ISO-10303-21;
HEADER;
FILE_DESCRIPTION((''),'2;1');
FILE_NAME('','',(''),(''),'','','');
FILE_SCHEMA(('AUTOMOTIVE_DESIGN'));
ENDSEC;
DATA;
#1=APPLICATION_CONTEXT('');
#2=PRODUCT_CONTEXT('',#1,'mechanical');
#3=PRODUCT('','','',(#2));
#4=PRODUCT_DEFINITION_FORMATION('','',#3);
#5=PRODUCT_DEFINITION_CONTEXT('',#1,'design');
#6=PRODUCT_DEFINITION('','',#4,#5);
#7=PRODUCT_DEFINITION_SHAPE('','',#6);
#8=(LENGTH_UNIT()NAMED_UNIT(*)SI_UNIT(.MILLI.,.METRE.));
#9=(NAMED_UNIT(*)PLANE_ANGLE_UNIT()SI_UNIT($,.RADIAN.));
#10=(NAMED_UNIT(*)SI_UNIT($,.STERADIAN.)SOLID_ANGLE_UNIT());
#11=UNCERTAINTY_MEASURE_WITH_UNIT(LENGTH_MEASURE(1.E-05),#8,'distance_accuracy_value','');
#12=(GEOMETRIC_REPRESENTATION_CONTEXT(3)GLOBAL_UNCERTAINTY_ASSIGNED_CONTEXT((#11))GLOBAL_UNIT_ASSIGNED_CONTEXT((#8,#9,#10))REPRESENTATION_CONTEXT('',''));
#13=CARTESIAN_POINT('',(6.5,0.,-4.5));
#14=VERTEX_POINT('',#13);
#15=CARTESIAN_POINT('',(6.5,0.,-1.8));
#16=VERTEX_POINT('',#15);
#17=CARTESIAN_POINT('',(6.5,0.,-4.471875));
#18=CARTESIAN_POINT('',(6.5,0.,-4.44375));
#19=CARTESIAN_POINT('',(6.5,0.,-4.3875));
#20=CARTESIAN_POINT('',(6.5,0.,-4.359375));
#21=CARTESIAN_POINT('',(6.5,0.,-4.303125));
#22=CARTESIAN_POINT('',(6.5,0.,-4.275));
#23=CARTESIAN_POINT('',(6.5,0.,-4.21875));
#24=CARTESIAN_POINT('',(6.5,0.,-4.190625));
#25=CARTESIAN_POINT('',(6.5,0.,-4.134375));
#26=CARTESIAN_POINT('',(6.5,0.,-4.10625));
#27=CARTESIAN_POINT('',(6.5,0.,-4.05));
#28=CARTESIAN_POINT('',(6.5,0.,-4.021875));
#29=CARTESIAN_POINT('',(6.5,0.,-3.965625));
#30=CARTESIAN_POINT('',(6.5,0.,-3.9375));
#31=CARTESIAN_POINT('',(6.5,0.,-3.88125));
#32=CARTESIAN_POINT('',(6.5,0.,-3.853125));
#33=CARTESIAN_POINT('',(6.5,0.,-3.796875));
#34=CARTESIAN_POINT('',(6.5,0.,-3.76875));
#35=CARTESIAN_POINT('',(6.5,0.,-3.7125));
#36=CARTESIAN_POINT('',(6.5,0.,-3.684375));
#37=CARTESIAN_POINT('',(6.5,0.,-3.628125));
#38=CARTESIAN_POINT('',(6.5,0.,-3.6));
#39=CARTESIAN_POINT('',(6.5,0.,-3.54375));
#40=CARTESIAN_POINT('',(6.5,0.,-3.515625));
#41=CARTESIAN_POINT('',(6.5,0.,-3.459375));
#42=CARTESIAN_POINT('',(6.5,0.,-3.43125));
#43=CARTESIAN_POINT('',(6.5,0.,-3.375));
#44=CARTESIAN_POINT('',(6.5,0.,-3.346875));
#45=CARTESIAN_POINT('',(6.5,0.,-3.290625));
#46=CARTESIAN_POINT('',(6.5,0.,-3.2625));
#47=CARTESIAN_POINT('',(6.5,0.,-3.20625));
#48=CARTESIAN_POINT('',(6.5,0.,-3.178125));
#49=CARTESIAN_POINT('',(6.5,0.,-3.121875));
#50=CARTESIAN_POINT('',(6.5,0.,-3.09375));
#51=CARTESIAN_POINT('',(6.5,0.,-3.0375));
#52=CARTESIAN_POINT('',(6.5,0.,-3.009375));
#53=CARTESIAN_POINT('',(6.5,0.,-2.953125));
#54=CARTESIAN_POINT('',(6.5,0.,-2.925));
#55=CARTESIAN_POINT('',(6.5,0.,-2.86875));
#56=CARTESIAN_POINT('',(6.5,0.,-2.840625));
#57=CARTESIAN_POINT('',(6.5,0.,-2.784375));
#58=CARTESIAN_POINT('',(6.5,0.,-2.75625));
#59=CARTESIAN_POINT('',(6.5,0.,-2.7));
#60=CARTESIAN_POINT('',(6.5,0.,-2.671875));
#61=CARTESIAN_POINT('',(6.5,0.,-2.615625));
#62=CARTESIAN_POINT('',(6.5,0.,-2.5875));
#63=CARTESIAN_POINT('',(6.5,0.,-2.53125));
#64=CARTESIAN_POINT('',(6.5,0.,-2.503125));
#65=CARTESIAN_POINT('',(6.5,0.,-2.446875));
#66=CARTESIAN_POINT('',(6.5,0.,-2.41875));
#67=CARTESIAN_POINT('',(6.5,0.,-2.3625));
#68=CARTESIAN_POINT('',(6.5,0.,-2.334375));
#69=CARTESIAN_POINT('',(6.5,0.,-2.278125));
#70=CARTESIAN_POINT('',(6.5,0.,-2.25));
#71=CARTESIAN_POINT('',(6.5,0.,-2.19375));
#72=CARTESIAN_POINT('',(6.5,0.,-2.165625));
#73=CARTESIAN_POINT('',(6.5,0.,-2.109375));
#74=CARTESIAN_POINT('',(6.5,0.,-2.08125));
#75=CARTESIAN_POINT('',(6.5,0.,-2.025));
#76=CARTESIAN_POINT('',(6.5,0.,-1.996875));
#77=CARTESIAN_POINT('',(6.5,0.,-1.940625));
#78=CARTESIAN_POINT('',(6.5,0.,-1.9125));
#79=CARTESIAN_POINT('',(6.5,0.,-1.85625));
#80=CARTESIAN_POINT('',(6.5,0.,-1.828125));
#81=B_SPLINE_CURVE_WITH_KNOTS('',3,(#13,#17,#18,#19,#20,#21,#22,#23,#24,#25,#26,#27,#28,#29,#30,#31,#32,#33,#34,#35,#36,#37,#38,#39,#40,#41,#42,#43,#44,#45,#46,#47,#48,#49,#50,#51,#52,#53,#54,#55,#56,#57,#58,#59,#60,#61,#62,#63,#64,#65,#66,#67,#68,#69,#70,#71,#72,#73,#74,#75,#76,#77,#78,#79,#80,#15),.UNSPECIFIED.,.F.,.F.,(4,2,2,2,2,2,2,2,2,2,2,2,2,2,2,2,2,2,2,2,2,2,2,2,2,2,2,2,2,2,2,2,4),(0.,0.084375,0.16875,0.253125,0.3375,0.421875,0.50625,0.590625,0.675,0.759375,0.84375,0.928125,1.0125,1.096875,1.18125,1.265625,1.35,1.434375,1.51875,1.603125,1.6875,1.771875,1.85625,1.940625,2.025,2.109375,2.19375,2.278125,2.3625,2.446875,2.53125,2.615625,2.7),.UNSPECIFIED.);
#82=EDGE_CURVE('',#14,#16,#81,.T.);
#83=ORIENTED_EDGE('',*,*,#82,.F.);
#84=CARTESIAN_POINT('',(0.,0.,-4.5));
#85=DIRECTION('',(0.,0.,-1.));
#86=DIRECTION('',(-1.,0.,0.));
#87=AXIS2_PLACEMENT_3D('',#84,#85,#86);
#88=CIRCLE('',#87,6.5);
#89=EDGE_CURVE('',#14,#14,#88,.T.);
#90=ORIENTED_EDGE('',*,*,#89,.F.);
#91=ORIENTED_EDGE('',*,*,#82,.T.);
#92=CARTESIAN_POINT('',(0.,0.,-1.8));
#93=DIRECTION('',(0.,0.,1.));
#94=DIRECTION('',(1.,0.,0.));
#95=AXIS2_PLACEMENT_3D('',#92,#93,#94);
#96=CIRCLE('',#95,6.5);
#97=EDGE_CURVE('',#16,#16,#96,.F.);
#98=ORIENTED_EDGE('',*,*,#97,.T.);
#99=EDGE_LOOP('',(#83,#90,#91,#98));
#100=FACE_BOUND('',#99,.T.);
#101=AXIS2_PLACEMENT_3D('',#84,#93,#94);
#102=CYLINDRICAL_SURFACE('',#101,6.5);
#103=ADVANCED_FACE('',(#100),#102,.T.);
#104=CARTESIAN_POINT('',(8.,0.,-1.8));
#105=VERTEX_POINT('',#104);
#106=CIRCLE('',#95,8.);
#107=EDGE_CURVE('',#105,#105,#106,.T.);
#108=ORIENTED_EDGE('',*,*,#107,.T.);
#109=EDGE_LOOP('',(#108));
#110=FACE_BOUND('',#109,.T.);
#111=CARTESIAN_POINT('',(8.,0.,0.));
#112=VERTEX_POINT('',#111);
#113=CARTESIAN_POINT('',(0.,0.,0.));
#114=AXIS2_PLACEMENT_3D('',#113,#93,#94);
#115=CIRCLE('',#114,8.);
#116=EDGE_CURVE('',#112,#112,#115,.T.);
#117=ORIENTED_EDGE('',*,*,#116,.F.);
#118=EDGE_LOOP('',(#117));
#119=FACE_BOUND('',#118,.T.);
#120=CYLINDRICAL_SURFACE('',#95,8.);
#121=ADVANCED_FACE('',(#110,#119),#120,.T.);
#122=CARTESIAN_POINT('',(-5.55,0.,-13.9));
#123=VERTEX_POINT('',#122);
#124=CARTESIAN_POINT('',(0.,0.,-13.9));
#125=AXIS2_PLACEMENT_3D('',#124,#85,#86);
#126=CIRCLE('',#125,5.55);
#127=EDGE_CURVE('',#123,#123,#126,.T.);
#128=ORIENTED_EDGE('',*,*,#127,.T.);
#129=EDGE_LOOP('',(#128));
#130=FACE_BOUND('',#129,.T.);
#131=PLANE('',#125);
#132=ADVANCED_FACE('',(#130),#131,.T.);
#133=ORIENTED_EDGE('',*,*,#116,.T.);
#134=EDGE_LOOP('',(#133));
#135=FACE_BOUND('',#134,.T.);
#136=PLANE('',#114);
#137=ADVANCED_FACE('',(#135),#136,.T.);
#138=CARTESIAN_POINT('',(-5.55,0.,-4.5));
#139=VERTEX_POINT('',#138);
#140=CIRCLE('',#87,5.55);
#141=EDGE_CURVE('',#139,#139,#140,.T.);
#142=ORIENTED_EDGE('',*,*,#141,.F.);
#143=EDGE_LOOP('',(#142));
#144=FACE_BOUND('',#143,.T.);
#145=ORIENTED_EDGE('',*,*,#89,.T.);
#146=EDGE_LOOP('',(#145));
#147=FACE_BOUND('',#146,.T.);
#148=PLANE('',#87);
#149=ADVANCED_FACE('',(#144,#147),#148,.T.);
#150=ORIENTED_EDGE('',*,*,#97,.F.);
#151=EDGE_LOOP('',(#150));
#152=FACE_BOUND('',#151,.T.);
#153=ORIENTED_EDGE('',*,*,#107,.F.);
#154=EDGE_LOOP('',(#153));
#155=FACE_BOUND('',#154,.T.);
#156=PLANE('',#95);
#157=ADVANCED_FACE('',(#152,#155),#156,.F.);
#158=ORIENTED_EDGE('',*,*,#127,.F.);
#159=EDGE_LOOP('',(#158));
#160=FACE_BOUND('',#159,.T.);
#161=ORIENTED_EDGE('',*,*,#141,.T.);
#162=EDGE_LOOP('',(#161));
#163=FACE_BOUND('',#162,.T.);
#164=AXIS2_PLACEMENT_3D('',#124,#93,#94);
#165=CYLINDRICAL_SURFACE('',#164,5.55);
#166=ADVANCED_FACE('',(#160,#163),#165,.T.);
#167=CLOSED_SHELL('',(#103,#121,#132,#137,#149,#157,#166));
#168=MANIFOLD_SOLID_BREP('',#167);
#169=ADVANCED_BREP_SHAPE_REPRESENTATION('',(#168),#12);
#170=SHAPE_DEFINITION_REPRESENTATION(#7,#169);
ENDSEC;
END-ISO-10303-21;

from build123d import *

# Parameters (mm, degrees)
SKETCH1_R           = 8
BOSS_EXTRUDE1_DEPTH = 1.8
SKETCH2_R           = 6.5
BOSS_EXTRUDE2_DEPTH = 2.7
SKETCH3_R           = 5.55
BOSS_EXTRUDE3_DEPTH = 9.4


with BuildPart() as part:
    # Sketch1 → Boss-Extrude1 (new body)
    with BuildSketch(Plane.XY):
        Circle(SKETCH1_R)
    extrude(amount=-BOSS_EXTRUDE1_DEPTH)

    # Sketch2 → Boss-Extrude2 (add)
    with BuildSketch(Plane(origin=(0, 0, -1.8), x_dir=(-1, 0, 0), z_dir=(0, 0, -1))):
        with Locations(Location((0, 0, 0), (0, 0, 180))):
            Circle(SKETCH2_R)
    extrude(amount=BOSS_EXTRUDE2_DEPTH)

    # Sketch3 → Boss-Extrude3 (add)
    with BuildSketch(Plane(origin=(0, 0, -4.5), x_dir=(-1, 0, 0), z_dir=(0, 0, -1))):
        Circle(SKETCH3_R)
    extrude(amount=BOSS_EXTRUDE3_DEPTH)


solid = part.part
